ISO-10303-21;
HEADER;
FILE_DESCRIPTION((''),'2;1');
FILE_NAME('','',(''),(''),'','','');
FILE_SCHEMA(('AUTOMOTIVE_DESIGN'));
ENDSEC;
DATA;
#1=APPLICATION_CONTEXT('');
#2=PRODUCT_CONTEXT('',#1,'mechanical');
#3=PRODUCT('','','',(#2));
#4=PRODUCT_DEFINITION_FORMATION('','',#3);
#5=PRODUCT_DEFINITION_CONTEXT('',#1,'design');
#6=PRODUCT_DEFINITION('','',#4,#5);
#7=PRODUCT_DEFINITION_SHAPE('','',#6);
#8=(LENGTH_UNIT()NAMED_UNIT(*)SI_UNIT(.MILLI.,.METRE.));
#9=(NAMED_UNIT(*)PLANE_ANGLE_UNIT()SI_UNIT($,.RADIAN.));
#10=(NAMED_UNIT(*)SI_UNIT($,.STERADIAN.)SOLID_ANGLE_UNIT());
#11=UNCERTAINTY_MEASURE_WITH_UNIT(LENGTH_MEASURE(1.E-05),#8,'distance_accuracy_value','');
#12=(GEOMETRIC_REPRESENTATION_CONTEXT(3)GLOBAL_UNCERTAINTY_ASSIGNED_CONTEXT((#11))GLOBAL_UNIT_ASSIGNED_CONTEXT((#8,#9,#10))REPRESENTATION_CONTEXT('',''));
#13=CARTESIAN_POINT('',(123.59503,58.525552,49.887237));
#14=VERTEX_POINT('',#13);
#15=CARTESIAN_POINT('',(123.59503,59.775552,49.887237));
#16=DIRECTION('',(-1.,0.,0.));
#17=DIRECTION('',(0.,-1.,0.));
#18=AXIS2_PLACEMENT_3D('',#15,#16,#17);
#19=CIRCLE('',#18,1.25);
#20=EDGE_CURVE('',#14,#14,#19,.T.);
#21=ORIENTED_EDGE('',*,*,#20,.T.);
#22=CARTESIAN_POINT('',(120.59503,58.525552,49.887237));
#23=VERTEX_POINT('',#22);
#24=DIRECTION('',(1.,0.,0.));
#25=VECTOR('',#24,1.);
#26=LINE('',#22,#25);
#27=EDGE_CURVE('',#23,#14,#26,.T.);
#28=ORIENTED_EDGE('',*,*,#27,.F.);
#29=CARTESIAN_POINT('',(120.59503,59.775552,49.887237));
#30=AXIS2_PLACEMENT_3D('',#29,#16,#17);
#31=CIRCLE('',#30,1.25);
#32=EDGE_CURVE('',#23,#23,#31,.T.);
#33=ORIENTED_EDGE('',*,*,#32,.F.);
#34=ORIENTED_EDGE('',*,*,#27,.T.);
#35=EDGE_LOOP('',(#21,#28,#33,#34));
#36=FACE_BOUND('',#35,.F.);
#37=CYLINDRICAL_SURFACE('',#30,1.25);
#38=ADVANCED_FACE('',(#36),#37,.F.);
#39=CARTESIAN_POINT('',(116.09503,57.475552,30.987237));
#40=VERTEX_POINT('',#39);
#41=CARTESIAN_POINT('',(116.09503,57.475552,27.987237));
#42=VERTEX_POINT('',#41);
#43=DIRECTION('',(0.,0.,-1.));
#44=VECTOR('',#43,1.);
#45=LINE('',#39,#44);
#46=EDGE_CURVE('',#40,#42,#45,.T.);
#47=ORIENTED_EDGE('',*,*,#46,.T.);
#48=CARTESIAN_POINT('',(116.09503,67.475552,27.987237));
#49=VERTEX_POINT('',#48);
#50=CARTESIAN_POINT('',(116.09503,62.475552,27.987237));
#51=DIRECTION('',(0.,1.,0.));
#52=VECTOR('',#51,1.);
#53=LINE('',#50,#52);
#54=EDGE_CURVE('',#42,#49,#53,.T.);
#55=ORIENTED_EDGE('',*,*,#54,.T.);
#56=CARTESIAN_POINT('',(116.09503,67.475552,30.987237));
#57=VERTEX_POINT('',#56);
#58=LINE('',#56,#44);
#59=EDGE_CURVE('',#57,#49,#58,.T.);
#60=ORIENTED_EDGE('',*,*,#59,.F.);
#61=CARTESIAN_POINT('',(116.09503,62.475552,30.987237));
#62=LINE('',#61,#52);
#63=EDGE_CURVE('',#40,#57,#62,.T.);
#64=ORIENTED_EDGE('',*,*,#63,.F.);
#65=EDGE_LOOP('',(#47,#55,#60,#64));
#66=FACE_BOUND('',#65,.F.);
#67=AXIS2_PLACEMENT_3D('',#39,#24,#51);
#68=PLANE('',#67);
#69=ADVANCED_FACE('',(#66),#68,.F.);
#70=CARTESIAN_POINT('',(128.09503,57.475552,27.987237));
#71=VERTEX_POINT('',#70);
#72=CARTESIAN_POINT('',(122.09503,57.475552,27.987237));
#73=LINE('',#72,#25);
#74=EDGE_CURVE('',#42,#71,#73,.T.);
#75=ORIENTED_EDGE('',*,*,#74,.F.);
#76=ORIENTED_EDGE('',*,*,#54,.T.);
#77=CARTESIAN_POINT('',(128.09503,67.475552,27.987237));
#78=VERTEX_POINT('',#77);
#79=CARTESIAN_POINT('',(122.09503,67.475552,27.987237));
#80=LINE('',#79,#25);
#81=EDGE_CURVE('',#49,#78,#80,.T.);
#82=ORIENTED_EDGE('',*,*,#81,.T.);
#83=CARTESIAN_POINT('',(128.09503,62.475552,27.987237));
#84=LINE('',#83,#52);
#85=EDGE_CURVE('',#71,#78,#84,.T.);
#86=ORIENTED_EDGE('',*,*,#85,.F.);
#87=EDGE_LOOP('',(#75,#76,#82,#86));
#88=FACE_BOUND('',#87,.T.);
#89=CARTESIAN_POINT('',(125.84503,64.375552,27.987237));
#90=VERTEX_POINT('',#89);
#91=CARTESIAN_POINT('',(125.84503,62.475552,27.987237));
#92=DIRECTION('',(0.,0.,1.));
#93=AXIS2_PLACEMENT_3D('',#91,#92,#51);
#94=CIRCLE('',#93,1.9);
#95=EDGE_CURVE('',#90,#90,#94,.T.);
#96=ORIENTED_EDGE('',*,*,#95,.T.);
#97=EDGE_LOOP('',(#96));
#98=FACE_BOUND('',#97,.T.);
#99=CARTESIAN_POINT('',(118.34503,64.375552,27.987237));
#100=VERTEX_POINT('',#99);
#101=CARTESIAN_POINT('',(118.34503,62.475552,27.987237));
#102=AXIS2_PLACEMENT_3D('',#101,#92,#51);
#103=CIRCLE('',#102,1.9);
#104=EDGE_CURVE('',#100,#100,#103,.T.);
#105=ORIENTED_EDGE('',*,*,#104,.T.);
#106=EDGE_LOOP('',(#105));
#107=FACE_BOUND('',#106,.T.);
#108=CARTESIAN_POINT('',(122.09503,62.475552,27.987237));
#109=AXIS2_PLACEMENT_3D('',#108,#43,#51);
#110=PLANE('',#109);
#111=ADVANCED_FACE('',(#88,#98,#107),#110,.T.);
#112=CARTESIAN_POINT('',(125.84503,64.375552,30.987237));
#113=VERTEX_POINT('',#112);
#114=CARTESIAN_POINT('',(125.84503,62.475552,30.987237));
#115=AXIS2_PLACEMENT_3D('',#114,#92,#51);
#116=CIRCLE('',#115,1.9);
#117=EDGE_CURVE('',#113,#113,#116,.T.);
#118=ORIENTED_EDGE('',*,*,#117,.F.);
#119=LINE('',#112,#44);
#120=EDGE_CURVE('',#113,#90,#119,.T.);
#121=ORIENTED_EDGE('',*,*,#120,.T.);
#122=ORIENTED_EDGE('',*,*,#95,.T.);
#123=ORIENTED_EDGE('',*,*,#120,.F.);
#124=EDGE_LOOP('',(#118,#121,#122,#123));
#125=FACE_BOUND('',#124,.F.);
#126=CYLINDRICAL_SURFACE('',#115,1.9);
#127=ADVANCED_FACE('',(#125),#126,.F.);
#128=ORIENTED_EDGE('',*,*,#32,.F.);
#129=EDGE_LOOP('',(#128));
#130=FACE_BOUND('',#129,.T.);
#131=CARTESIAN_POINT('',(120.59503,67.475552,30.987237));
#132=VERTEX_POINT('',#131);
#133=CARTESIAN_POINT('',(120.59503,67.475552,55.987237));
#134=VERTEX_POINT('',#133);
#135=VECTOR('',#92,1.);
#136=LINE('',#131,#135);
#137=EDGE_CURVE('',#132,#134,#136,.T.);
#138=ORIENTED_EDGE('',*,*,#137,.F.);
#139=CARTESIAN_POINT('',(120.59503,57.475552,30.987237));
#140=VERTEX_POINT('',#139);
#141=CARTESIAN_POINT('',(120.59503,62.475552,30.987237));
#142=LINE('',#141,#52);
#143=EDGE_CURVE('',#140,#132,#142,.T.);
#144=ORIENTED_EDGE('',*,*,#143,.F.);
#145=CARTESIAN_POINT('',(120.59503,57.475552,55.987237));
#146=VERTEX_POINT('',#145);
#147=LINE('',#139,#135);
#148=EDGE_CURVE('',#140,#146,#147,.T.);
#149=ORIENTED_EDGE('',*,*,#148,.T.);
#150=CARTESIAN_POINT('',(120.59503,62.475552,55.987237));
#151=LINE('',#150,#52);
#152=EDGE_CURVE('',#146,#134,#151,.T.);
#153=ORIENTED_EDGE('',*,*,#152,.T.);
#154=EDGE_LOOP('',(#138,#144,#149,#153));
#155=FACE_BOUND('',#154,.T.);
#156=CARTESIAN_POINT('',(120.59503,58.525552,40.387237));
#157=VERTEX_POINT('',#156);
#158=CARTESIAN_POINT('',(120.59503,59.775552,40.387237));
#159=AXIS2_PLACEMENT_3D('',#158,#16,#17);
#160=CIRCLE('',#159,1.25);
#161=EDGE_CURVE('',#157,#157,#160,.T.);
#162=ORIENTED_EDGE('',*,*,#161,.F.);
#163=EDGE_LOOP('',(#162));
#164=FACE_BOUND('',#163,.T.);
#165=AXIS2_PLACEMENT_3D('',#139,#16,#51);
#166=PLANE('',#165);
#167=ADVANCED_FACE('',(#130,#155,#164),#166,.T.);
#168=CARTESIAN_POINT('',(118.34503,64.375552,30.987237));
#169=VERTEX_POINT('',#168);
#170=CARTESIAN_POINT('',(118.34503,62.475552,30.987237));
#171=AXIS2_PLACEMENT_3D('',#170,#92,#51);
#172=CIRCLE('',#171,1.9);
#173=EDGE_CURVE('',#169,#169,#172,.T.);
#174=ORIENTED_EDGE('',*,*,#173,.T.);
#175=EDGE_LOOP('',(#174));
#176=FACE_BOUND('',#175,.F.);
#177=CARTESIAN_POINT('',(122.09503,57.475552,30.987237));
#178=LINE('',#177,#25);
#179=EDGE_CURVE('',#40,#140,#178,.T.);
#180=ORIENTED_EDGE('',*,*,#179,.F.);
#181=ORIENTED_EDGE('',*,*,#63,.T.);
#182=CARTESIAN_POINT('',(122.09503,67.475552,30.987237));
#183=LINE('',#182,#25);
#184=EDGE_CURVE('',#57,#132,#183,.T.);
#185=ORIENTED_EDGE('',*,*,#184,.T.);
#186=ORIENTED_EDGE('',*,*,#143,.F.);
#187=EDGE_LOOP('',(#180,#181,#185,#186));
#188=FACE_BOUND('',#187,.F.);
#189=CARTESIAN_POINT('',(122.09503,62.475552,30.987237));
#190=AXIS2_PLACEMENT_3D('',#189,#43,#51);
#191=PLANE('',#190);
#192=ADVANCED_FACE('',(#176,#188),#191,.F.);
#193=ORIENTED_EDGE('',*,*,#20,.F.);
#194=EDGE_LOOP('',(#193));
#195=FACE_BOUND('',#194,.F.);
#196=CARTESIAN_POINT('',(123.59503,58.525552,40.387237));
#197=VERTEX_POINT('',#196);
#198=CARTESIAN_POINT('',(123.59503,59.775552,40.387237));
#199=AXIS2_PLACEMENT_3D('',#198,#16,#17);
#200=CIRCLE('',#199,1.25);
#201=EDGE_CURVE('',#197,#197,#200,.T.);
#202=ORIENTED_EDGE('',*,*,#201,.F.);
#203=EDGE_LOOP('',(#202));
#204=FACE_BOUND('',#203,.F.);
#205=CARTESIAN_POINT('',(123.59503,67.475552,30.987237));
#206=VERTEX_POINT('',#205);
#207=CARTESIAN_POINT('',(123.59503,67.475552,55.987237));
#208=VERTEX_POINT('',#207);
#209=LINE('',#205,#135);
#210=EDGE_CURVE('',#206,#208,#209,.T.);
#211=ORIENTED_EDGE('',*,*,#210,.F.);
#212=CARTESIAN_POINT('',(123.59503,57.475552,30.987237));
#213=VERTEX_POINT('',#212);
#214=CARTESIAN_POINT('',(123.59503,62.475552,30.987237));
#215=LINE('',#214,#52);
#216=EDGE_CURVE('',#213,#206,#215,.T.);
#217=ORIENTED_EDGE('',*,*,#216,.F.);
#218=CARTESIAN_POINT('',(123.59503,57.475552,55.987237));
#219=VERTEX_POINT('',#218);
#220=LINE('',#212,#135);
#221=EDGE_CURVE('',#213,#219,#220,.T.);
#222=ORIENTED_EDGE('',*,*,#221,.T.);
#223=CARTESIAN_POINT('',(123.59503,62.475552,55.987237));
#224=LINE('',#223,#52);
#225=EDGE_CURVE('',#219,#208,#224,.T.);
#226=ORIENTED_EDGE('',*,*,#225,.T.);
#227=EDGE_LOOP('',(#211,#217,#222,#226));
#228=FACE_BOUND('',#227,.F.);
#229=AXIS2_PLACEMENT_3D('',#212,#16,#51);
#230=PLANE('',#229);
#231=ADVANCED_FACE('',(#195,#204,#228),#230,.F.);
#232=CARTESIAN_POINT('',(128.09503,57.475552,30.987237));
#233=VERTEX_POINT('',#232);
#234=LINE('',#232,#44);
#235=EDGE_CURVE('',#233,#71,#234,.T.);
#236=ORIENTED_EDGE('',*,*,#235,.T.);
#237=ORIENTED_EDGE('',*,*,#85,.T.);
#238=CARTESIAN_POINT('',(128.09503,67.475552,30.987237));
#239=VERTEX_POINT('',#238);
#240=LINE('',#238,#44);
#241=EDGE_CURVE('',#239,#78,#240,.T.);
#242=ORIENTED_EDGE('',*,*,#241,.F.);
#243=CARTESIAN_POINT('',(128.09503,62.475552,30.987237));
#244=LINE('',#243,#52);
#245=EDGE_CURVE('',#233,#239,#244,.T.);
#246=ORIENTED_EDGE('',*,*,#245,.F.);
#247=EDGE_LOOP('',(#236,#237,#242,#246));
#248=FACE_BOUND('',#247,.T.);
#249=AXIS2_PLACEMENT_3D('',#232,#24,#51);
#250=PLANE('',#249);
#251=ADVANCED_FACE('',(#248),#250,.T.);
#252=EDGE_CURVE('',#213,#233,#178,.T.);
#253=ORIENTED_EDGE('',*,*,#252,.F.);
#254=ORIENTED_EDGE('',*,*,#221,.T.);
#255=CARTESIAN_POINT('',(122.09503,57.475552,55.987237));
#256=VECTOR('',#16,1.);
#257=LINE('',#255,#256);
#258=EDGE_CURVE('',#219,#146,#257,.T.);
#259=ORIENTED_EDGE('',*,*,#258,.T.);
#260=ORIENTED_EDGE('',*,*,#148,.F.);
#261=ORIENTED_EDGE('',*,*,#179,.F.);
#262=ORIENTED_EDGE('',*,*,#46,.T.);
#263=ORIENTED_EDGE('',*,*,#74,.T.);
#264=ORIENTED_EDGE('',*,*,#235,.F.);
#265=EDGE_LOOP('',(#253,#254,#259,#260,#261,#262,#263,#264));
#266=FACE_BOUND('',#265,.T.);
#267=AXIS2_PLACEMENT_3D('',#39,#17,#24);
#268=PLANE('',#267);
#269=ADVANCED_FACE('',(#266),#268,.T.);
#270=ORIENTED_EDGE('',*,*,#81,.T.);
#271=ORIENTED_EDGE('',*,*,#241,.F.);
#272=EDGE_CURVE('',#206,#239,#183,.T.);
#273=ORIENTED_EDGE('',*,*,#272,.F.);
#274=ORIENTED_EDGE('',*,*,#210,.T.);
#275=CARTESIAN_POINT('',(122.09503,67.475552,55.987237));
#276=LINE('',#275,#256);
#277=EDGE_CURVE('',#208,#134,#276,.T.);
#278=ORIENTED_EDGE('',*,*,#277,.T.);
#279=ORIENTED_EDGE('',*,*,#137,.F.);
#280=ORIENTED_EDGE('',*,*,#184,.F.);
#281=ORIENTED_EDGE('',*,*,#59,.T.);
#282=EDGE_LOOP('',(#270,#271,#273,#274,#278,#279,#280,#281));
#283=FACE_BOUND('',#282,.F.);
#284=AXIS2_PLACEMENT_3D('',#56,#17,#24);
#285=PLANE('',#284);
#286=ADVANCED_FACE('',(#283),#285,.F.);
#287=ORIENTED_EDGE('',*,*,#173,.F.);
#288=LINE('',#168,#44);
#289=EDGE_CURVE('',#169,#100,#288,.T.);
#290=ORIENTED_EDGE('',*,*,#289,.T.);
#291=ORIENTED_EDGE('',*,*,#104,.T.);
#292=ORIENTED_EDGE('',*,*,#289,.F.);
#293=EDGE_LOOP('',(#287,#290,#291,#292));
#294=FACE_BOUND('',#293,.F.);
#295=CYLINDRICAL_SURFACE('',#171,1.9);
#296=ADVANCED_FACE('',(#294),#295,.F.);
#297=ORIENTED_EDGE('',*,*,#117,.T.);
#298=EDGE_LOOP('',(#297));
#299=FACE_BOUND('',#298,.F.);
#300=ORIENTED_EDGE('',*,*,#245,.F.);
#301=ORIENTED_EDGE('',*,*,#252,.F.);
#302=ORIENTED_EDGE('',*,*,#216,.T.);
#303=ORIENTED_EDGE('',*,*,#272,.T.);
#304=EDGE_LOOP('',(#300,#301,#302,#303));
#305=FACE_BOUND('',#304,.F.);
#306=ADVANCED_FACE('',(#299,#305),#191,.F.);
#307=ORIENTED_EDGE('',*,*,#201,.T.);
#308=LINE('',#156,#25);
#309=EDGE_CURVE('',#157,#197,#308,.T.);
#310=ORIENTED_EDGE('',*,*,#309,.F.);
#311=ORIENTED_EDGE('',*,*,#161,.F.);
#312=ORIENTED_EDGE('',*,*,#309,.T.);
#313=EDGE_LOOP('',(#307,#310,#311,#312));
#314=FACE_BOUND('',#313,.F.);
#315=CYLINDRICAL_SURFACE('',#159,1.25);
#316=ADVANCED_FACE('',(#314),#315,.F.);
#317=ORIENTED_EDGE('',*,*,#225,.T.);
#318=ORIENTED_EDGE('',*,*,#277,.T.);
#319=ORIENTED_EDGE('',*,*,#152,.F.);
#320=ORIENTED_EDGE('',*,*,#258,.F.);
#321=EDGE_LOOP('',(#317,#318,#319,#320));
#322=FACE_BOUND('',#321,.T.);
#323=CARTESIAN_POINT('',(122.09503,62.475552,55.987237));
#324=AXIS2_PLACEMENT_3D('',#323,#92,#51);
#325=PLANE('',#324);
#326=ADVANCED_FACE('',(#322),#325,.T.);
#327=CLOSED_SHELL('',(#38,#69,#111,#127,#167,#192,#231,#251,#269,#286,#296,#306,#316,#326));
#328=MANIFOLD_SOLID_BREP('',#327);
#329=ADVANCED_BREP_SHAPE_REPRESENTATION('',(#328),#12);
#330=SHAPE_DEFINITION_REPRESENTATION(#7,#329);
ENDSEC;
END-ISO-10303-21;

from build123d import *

# Parameters (mm, degrees)
SKETCH031_W             = 10
SKETCH031_H             = 3
PAD005_DEPTH            = 25
SKETCH032_R             = 1.25
POCKET025_DEPTH         = 5
BOX002_W                = 10
BOX002_H                = 12
BOX002_DEPTH            = 3
SKETCH033_R             = 1.9
POCKET026_DEPTH         = 3.001
BODY004_ROLL_ANGLE      = -90
BODY004_PLACEMENT_ANGLE = 90


with BuildPart() as part:
    # Sketch031 → Pad005 (new body)
    with BuildSketch(Plane.XZ):
        with Locations((5, 1.5)):
            Rectangle(SKETCH031_W, SKETCH031_H)
    extrude(amount=PAD005_DEPTH)

    # Sketch032 (on Face3 of Pad005) → Pocket025 (cut)
    with BuildSketch(Plane(origin=(0, 0, 3), x_dir=(-1, 0, 0), z_dir=(0, 0, 1))):
        with Locations((-2.3, 18.9)):
            Circle(SKETCH032_R)
        with Locations((-2.3, 9.4)):
            Circle(SKETCH032_R)
    extrude(amount=-POCKET025_DEPTH, mode=Mode.SUBTRACT)

    # Box002 → Box002 (join)
    with BuildSketch(Plane(origin=(0, 0, 7.5), x_dir=(1, 0, 0), z_dir=(0, 1, 0))):
        with Locations((5, 6)):
            Rectangle(BOX002_W, BOX002_H)
    extrude(amount=BOX002_DEPTH)

    # Sketch033 → Pocket026 (cut, through all)
    with BuildSketch(Plane.XZ):
        with Locations((5, -2.25)):
            Circle(SKETCH033_R)
        with Locations((5, 5.25)):
            Circle(SKETCH033_R)
    extrude(amount=-POCKET026_DEPTH, mode=Mode.SUBTRACT)


with BuildPart() as part_1:
    # Body004 roll: moved
    add(part.part.rotate(Axis((0, 0, 0), (1, 0, 0)), BODY004_ROLL_ANGLE))


with BuildPart() as part_2:
    # Body004 placement: moved
    add(part_1.part.moved(Location((123.59503, 57.475552, 30.987237))).rotate(Axis((123.59503, 57.475552, 30.987237), (0, 0, 1)), BODY004_PLACEMENT_ANGLE))


solid = part_2.part
